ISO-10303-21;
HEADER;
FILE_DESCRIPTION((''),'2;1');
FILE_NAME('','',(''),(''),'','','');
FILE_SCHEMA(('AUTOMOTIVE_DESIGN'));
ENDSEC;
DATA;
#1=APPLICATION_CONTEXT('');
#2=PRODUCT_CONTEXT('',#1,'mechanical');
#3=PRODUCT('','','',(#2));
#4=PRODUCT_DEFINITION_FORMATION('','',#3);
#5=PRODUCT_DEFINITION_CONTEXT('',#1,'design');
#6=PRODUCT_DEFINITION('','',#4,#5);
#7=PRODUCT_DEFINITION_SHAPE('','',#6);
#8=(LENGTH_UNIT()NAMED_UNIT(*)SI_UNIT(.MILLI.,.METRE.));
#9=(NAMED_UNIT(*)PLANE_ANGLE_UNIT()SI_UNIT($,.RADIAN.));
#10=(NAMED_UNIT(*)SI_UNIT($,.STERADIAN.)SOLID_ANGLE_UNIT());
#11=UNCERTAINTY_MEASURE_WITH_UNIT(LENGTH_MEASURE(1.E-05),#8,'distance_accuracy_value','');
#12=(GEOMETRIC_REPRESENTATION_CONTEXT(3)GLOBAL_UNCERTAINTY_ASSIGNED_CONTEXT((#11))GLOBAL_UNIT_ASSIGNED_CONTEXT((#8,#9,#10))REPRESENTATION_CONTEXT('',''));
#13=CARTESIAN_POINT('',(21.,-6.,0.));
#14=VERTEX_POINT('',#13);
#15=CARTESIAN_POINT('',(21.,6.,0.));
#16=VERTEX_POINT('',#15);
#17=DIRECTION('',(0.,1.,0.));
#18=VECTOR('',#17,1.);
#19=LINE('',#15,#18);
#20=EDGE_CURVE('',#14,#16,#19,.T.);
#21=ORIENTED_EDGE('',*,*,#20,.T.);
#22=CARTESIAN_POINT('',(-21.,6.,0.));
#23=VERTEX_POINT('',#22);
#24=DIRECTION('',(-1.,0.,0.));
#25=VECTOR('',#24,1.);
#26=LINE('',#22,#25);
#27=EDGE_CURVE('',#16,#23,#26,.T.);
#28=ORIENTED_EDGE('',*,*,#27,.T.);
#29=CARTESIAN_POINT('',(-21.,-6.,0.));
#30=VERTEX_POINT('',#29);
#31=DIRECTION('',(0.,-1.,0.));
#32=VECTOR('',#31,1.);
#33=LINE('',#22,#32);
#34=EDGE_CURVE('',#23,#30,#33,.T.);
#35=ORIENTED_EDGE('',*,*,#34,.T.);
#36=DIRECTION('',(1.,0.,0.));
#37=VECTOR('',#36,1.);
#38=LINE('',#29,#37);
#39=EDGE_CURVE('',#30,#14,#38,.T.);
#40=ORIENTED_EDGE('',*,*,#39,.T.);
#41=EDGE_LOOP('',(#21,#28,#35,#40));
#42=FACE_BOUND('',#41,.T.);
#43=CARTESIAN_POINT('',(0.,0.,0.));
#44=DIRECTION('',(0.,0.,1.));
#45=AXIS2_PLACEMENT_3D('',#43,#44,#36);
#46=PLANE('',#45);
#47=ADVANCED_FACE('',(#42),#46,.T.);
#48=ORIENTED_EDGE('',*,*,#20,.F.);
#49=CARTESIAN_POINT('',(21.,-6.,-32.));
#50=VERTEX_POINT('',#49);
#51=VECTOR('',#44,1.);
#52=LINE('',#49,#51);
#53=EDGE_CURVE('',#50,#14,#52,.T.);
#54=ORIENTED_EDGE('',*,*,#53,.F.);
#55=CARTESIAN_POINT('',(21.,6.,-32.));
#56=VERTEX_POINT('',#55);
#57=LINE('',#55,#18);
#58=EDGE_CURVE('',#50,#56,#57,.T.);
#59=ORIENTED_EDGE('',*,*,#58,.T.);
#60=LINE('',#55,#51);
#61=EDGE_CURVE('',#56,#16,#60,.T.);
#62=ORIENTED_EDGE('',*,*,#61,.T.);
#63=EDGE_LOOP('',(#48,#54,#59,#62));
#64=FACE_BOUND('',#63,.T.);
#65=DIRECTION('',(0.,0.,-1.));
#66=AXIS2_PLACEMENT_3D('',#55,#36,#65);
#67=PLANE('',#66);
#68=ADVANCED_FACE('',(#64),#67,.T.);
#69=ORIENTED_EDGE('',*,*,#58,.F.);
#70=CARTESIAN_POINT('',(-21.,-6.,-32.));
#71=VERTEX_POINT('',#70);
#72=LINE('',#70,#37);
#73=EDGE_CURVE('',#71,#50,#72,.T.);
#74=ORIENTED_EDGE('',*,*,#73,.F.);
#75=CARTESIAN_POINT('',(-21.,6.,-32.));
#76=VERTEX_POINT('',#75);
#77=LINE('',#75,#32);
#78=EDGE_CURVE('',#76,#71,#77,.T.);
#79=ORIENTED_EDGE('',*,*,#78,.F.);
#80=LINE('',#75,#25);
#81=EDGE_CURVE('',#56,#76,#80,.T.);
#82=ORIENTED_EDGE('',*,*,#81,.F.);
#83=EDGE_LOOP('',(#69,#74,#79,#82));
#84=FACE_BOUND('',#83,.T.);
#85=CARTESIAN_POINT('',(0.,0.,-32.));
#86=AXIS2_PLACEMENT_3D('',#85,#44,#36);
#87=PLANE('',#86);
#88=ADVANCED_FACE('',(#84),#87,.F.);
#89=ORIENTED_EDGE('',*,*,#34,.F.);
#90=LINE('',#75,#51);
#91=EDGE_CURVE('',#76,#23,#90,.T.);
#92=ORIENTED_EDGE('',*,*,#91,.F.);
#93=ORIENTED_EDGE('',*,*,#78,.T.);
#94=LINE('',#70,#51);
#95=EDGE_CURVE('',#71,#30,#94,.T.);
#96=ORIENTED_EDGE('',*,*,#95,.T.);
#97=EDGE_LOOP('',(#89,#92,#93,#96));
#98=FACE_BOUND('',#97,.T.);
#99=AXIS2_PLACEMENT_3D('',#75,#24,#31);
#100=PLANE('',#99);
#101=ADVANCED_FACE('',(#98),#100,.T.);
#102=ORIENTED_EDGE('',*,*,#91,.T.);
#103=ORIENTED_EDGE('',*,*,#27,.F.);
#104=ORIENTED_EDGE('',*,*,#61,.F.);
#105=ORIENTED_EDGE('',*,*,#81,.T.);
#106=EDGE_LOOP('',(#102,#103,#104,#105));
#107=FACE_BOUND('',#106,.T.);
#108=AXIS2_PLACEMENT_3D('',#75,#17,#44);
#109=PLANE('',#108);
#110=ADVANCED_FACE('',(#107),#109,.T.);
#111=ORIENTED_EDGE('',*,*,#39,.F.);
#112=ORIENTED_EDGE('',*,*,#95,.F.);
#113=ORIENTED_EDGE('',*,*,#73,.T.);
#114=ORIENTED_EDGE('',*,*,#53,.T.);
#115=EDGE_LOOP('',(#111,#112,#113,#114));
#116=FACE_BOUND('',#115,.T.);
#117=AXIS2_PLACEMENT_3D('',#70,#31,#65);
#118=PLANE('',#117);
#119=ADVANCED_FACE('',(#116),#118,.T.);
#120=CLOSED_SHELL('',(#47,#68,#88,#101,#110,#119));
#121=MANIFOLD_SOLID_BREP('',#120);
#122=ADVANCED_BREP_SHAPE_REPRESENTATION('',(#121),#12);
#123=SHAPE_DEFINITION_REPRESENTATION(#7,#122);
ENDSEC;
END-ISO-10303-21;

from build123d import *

# Parameters (mm, degrees)
SKETCH3_W           = 42
SKETCH3_H           = 12
BOSS_EXTRUDE1_DEPTH = 32


with BuildPart() as part:
    # Sketch3 → Boss-Extrude1 (new body)
    with BuildSketch(Plane.XY):
        Rectangle(SKETCH3_W, SKETCH3_H)
    extrude(amount=-BOSS_EXTRUDE1_DEPTH)


solid = part.part
